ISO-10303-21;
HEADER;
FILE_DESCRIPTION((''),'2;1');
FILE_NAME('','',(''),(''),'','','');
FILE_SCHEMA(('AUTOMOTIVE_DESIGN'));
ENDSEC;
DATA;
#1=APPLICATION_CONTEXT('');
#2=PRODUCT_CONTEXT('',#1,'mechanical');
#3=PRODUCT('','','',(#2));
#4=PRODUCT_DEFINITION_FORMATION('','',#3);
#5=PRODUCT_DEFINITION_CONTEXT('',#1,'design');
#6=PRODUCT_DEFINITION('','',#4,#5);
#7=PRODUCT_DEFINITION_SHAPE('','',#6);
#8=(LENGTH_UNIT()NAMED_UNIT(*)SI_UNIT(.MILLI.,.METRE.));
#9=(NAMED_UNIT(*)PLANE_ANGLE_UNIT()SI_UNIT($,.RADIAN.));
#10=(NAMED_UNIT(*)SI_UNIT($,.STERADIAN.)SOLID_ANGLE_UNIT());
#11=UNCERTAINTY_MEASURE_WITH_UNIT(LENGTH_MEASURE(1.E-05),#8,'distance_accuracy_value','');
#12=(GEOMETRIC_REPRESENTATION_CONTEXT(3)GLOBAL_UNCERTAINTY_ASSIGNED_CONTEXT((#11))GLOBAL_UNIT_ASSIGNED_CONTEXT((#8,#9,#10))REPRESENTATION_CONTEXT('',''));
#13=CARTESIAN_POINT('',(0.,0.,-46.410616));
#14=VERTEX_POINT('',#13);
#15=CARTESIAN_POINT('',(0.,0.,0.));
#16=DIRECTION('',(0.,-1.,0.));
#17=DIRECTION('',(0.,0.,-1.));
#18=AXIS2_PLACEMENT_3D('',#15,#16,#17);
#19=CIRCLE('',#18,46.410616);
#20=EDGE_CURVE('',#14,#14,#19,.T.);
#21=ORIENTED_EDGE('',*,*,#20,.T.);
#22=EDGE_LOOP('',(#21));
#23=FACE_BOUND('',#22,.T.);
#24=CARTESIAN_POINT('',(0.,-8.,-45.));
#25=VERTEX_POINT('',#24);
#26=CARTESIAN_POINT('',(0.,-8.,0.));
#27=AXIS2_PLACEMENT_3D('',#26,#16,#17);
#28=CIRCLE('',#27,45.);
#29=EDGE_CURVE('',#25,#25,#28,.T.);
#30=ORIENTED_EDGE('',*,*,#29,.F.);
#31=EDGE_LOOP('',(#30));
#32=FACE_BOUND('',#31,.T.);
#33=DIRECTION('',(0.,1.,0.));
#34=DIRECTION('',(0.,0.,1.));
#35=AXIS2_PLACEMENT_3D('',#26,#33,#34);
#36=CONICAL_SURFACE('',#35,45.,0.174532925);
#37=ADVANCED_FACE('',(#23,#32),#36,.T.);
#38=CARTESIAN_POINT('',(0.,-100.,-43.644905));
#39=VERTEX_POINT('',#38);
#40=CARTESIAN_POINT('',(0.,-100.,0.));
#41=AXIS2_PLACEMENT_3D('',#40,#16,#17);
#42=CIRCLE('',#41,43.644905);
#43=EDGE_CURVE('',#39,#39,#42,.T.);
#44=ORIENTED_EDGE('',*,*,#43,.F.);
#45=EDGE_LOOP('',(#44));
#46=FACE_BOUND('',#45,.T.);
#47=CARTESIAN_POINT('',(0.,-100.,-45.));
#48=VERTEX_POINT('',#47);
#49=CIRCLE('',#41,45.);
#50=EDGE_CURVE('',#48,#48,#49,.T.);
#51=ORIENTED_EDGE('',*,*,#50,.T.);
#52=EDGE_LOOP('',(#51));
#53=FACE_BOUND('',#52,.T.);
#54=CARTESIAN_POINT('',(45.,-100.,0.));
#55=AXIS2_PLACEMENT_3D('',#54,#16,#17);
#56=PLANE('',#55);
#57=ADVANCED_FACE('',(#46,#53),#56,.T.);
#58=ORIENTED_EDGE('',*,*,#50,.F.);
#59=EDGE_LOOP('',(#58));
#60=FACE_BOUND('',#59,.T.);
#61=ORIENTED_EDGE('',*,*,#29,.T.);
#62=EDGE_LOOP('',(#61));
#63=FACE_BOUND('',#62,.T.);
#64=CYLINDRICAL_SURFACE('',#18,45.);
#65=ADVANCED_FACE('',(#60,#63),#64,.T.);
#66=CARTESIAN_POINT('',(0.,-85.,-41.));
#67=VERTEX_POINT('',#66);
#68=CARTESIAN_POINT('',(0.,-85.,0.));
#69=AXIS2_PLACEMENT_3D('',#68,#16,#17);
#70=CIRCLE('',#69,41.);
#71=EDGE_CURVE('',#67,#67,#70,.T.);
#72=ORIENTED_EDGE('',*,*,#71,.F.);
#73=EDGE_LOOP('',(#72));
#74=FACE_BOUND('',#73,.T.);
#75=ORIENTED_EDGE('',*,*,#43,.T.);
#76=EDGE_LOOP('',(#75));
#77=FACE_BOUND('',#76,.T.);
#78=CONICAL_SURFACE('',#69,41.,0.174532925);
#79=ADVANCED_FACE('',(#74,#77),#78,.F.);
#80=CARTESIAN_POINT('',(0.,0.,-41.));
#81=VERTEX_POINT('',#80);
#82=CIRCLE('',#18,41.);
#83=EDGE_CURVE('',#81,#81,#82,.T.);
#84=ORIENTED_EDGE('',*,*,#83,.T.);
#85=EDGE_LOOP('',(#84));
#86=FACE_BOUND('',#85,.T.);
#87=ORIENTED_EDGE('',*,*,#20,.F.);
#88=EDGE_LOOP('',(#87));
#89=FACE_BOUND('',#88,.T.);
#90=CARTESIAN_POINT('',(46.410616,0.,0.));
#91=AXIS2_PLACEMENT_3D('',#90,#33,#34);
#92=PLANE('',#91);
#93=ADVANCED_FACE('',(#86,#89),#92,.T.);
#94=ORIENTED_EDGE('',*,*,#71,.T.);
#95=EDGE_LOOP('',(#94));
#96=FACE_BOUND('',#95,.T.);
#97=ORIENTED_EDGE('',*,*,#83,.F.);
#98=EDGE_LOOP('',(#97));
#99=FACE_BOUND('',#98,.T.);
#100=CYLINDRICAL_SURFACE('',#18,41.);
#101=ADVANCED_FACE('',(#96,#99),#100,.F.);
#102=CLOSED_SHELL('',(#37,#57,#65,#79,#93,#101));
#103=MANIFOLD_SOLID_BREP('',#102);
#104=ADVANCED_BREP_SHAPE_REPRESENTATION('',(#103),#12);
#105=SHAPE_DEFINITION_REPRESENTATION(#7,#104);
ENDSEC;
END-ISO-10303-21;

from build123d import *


with BuildPart() as part:
    # Sketch1 → Revolve1 (revolve)
    with BuildSketch(Plane.XY):
        Polygon((41, 0), (45, 0), (46.410615846, 0), (45, -8), (45, -100), (43.644904711, -100), (41, -85), align=None)
    revolve(axis=Axis((0, 0, 0), (0, 1, 0)))


solid = part.part
